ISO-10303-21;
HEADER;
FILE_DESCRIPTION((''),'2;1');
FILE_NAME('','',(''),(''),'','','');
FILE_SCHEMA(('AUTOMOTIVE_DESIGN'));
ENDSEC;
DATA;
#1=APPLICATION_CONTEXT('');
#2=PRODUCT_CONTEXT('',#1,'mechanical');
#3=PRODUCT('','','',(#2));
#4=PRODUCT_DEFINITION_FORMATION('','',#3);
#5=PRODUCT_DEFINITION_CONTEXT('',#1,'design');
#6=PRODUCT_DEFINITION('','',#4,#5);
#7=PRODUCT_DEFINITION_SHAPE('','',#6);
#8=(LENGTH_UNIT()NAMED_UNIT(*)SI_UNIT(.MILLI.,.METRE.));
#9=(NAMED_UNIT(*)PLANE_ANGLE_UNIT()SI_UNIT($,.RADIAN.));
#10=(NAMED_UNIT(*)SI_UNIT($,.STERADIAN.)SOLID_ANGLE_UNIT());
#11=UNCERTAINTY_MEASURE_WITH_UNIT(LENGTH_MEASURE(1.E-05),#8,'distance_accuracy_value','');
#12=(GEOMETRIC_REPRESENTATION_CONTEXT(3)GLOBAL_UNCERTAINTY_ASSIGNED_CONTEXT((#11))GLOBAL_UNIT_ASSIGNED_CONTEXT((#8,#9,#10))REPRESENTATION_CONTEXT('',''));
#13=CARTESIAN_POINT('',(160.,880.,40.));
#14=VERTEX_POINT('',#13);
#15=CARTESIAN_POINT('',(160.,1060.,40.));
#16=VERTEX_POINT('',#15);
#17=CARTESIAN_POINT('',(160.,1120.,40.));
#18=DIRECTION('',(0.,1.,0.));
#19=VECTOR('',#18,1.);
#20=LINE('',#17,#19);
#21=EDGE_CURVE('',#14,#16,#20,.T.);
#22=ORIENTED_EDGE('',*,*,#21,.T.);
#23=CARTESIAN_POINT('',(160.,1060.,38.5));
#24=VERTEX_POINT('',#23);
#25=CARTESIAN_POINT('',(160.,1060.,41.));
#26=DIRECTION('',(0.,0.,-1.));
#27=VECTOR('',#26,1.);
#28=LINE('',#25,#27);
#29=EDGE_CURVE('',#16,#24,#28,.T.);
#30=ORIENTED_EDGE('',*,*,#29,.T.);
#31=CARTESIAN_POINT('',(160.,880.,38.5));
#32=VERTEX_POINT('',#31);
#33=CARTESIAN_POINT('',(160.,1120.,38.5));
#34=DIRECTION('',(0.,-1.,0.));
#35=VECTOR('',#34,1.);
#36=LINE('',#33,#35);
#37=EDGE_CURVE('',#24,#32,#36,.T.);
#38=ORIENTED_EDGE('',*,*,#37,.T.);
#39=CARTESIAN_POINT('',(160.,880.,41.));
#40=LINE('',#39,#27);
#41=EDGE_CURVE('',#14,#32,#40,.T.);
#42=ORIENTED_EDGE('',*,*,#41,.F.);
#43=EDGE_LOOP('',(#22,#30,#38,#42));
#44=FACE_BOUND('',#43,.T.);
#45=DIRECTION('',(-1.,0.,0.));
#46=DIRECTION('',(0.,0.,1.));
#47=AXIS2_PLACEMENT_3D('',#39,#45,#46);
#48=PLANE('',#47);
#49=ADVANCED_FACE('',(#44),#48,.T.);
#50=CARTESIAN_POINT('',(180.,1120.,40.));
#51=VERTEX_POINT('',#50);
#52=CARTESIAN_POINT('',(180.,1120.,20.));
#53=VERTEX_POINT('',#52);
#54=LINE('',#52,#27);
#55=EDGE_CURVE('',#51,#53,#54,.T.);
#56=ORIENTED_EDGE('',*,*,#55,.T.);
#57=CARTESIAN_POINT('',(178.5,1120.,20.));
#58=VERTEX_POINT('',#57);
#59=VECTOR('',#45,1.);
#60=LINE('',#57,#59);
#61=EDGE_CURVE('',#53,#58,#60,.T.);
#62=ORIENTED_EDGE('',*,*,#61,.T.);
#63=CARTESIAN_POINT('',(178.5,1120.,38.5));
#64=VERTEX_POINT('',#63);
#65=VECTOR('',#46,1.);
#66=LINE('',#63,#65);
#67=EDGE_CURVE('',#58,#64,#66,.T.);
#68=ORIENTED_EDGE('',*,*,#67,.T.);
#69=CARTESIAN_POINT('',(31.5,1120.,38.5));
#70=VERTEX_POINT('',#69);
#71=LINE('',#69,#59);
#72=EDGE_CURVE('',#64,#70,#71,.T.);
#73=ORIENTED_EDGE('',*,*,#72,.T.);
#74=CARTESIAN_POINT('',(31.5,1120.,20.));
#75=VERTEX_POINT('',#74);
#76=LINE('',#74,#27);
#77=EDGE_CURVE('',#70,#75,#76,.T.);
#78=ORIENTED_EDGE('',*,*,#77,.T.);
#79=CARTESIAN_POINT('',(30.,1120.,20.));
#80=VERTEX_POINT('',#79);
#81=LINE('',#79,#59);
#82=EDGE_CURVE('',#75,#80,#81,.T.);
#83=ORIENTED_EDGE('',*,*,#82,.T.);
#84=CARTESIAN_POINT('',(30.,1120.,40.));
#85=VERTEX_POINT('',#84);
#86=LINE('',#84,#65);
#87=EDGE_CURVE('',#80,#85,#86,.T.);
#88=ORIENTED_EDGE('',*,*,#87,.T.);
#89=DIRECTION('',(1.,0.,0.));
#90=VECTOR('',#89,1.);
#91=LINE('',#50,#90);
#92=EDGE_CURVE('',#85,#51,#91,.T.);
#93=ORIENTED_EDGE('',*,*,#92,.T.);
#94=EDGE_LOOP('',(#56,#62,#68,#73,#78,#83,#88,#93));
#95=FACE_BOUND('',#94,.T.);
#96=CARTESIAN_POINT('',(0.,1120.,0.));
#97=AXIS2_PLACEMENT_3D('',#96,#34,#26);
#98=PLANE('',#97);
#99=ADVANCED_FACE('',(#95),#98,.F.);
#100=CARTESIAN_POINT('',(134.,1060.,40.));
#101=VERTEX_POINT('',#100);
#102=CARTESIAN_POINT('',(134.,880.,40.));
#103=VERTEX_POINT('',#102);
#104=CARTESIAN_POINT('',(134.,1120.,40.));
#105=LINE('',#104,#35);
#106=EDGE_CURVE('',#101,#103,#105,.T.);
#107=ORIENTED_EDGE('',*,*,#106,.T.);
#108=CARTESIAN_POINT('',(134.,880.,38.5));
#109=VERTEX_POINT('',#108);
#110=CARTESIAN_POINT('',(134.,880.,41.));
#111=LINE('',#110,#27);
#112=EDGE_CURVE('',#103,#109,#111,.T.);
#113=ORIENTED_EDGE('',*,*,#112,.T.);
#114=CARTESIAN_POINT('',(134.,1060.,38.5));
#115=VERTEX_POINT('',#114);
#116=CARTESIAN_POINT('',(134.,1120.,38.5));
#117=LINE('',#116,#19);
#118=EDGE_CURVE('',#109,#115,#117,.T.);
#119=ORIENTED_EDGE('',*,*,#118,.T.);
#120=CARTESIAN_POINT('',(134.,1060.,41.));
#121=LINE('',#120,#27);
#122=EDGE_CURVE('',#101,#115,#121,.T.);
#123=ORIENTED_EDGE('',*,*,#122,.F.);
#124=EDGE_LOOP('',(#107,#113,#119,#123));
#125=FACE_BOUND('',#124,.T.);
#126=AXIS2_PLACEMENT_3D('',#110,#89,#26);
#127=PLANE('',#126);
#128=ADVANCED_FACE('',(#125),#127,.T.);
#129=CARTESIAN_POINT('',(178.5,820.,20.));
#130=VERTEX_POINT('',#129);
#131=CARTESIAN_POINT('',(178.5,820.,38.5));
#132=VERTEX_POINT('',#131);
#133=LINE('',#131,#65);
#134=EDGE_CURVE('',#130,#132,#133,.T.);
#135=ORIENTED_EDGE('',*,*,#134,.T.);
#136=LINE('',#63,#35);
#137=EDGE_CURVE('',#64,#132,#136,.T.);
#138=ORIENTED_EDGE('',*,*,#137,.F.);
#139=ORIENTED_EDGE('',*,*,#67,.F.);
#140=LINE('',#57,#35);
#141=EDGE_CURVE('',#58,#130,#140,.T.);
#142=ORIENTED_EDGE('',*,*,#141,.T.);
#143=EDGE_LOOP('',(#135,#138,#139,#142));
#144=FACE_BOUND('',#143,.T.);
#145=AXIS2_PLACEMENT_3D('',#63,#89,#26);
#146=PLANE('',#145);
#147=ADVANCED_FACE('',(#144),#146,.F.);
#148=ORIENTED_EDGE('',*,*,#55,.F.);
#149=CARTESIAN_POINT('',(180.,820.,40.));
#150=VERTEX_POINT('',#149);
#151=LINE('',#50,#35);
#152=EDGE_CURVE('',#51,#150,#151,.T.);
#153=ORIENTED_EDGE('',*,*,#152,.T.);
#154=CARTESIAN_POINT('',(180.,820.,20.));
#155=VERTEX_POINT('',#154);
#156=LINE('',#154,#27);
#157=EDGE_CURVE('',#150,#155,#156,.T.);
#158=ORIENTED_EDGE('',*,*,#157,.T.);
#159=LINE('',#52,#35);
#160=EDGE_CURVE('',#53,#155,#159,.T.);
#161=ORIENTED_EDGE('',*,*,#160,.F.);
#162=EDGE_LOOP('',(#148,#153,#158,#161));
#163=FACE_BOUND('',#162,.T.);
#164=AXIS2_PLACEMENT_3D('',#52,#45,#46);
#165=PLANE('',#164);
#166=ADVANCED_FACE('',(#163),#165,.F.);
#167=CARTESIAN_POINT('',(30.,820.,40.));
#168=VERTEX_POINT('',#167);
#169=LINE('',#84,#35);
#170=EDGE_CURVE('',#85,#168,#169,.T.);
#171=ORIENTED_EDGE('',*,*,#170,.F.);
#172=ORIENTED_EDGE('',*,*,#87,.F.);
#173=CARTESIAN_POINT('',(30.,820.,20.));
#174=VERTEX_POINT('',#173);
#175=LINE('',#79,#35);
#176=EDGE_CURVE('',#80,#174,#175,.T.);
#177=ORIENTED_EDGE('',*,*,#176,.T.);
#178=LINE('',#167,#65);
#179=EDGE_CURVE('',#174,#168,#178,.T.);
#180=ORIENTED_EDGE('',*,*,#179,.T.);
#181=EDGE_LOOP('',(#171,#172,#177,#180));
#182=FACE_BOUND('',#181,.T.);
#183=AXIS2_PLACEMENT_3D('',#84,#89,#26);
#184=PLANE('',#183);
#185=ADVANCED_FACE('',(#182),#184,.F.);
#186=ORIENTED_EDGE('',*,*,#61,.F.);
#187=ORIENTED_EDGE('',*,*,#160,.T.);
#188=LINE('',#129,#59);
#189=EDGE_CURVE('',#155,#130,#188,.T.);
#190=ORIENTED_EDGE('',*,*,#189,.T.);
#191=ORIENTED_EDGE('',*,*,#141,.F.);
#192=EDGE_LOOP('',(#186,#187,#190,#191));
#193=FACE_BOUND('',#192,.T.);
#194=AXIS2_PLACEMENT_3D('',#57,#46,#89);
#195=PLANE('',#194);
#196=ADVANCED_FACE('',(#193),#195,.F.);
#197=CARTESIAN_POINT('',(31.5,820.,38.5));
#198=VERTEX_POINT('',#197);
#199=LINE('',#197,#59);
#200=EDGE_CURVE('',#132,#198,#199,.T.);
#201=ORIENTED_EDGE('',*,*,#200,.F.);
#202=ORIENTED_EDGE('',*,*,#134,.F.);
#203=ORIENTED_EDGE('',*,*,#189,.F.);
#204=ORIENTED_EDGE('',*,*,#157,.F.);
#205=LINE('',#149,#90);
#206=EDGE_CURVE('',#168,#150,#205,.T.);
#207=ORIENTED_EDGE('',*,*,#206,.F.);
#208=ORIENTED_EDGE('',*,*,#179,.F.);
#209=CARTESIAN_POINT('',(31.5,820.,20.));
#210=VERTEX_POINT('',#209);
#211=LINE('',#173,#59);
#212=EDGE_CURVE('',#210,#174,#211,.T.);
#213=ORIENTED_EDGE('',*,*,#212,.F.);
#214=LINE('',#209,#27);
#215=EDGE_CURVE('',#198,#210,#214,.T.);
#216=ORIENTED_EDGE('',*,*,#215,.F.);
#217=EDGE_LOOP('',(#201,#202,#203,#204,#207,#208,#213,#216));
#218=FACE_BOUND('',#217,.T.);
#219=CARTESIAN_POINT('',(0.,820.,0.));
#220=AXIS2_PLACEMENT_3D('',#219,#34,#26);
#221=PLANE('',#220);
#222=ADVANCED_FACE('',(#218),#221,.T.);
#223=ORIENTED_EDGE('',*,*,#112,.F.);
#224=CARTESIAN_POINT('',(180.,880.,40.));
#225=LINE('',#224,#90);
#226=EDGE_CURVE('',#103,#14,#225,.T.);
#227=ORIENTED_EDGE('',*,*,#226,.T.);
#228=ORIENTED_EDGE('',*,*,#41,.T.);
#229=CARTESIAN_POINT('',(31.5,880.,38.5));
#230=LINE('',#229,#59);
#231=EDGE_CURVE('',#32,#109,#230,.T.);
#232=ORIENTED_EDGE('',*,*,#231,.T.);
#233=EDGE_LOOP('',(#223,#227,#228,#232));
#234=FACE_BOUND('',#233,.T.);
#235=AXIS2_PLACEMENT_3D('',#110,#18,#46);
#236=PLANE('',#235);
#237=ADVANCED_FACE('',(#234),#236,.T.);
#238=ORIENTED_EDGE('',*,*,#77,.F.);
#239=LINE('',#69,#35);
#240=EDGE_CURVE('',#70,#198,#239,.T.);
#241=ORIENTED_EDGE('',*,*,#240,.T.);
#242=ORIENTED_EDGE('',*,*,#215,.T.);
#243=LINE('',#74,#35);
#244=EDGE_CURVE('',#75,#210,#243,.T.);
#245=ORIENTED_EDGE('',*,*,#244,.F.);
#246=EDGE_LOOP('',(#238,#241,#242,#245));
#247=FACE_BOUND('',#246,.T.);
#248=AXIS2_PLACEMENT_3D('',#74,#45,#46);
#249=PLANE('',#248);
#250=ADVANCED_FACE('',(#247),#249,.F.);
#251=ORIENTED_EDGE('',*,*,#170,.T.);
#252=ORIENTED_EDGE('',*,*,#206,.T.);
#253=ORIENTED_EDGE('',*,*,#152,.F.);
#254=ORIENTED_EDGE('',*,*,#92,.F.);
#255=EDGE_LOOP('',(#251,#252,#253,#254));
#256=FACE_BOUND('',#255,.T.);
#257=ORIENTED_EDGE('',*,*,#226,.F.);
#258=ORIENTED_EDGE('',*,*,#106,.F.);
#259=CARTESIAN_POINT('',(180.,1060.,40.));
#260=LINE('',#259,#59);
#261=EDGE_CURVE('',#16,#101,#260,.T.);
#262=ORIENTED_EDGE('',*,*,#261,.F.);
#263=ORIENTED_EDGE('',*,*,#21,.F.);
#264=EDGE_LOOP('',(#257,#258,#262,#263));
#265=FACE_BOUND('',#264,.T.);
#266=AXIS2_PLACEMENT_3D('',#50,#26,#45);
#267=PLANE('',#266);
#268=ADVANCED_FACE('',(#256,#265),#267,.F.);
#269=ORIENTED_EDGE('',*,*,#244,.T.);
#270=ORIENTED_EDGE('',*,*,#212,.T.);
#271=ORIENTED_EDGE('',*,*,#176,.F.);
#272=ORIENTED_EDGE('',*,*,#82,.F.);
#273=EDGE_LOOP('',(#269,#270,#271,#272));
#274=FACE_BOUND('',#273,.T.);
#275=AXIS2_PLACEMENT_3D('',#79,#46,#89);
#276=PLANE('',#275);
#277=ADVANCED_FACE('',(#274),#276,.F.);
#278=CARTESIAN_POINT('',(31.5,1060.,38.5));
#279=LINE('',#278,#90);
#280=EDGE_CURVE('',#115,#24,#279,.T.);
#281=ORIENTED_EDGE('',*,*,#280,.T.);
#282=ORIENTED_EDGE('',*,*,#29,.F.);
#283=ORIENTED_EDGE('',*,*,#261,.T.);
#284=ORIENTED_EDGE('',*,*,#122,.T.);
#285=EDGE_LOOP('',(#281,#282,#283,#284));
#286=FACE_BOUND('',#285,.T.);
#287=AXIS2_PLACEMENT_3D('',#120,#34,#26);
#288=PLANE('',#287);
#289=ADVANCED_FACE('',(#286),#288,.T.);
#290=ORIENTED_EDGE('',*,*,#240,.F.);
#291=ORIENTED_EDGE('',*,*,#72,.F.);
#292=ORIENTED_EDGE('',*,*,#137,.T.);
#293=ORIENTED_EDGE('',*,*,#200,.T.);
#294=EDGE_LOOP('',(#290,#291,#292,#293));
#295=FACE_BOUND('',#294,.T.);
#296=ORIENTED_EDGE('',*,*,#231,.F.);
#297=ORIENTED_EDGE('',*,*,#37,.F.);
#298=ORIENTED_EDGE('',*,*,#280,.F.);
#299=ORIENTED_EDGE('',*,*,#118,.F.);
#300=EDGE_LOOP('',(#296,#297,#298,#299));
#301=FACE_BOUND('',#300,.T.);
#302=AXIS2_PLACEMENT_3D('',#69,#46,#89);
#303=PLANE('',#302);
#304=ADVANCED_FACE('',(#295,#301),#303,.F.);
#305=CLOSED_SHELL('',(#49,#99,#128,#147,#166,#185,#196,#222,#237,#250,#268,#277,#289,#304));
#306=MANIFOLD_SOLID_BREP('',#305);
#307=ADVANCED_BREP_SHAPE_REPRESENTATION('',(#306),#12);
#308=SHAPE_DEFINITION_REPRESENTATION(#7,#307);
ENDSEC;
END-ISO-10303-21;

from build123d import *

# Parameters (mm, degrees)
OVEN_YAG_KABI_KAPAGI_KAPAK_1_START = 820
OVEN_YAG_KABI_KAPAGI_KAPAK_1_DEPTH = 300
OVEN_YAG_KABI_KAPAGI_KAPAK_2_START = 27
SKETCH2_W                          = 26
SKETCH2_H                          = 180
OVEN_YAG_KABI_KAPAGI_KAPAK_2_DEPTH = 14


with BuildPart() as part:
    # Sketch1 → OVEN_yag_kabi_kapagi_kapak_1 (new body)
    with BuildSketch(Plane(origin=(0, 0, 0), x_dir=(1, 0, 0), z_dir=(0, 1, 0)).offset(OVEN_YAG_KABI_KAPAGI_KAPAK_1_START)):
        Polygon((30, -40), (30, -20), (31.5, -20), (31.5, -38.5), (178.5, -38.5), (178.5, -20), (180, -20), (180, -40), align=None)
    extrude(amount=OVEN_YAG_KABI_KAPAGI_KAPAK_1_DEPTH)

    # Sketch2 → OVEN_yag_kabi_kapagi_kapak_2 (cut)
    with BuildSketch(Plane.XY.offset(OVEN_YAG_KABI_KAPAGI_KAPAK_2_START)):
        with Locations((147, 970)):
            Rectangle(SKETCH2_W, SKETCH2_H)
    extrude(amount=OVEN_YAG_KABI_KAPAGI_KAPAK_2_DEPTH, mode=Mode.SUBTRACT)


solid = part.part
